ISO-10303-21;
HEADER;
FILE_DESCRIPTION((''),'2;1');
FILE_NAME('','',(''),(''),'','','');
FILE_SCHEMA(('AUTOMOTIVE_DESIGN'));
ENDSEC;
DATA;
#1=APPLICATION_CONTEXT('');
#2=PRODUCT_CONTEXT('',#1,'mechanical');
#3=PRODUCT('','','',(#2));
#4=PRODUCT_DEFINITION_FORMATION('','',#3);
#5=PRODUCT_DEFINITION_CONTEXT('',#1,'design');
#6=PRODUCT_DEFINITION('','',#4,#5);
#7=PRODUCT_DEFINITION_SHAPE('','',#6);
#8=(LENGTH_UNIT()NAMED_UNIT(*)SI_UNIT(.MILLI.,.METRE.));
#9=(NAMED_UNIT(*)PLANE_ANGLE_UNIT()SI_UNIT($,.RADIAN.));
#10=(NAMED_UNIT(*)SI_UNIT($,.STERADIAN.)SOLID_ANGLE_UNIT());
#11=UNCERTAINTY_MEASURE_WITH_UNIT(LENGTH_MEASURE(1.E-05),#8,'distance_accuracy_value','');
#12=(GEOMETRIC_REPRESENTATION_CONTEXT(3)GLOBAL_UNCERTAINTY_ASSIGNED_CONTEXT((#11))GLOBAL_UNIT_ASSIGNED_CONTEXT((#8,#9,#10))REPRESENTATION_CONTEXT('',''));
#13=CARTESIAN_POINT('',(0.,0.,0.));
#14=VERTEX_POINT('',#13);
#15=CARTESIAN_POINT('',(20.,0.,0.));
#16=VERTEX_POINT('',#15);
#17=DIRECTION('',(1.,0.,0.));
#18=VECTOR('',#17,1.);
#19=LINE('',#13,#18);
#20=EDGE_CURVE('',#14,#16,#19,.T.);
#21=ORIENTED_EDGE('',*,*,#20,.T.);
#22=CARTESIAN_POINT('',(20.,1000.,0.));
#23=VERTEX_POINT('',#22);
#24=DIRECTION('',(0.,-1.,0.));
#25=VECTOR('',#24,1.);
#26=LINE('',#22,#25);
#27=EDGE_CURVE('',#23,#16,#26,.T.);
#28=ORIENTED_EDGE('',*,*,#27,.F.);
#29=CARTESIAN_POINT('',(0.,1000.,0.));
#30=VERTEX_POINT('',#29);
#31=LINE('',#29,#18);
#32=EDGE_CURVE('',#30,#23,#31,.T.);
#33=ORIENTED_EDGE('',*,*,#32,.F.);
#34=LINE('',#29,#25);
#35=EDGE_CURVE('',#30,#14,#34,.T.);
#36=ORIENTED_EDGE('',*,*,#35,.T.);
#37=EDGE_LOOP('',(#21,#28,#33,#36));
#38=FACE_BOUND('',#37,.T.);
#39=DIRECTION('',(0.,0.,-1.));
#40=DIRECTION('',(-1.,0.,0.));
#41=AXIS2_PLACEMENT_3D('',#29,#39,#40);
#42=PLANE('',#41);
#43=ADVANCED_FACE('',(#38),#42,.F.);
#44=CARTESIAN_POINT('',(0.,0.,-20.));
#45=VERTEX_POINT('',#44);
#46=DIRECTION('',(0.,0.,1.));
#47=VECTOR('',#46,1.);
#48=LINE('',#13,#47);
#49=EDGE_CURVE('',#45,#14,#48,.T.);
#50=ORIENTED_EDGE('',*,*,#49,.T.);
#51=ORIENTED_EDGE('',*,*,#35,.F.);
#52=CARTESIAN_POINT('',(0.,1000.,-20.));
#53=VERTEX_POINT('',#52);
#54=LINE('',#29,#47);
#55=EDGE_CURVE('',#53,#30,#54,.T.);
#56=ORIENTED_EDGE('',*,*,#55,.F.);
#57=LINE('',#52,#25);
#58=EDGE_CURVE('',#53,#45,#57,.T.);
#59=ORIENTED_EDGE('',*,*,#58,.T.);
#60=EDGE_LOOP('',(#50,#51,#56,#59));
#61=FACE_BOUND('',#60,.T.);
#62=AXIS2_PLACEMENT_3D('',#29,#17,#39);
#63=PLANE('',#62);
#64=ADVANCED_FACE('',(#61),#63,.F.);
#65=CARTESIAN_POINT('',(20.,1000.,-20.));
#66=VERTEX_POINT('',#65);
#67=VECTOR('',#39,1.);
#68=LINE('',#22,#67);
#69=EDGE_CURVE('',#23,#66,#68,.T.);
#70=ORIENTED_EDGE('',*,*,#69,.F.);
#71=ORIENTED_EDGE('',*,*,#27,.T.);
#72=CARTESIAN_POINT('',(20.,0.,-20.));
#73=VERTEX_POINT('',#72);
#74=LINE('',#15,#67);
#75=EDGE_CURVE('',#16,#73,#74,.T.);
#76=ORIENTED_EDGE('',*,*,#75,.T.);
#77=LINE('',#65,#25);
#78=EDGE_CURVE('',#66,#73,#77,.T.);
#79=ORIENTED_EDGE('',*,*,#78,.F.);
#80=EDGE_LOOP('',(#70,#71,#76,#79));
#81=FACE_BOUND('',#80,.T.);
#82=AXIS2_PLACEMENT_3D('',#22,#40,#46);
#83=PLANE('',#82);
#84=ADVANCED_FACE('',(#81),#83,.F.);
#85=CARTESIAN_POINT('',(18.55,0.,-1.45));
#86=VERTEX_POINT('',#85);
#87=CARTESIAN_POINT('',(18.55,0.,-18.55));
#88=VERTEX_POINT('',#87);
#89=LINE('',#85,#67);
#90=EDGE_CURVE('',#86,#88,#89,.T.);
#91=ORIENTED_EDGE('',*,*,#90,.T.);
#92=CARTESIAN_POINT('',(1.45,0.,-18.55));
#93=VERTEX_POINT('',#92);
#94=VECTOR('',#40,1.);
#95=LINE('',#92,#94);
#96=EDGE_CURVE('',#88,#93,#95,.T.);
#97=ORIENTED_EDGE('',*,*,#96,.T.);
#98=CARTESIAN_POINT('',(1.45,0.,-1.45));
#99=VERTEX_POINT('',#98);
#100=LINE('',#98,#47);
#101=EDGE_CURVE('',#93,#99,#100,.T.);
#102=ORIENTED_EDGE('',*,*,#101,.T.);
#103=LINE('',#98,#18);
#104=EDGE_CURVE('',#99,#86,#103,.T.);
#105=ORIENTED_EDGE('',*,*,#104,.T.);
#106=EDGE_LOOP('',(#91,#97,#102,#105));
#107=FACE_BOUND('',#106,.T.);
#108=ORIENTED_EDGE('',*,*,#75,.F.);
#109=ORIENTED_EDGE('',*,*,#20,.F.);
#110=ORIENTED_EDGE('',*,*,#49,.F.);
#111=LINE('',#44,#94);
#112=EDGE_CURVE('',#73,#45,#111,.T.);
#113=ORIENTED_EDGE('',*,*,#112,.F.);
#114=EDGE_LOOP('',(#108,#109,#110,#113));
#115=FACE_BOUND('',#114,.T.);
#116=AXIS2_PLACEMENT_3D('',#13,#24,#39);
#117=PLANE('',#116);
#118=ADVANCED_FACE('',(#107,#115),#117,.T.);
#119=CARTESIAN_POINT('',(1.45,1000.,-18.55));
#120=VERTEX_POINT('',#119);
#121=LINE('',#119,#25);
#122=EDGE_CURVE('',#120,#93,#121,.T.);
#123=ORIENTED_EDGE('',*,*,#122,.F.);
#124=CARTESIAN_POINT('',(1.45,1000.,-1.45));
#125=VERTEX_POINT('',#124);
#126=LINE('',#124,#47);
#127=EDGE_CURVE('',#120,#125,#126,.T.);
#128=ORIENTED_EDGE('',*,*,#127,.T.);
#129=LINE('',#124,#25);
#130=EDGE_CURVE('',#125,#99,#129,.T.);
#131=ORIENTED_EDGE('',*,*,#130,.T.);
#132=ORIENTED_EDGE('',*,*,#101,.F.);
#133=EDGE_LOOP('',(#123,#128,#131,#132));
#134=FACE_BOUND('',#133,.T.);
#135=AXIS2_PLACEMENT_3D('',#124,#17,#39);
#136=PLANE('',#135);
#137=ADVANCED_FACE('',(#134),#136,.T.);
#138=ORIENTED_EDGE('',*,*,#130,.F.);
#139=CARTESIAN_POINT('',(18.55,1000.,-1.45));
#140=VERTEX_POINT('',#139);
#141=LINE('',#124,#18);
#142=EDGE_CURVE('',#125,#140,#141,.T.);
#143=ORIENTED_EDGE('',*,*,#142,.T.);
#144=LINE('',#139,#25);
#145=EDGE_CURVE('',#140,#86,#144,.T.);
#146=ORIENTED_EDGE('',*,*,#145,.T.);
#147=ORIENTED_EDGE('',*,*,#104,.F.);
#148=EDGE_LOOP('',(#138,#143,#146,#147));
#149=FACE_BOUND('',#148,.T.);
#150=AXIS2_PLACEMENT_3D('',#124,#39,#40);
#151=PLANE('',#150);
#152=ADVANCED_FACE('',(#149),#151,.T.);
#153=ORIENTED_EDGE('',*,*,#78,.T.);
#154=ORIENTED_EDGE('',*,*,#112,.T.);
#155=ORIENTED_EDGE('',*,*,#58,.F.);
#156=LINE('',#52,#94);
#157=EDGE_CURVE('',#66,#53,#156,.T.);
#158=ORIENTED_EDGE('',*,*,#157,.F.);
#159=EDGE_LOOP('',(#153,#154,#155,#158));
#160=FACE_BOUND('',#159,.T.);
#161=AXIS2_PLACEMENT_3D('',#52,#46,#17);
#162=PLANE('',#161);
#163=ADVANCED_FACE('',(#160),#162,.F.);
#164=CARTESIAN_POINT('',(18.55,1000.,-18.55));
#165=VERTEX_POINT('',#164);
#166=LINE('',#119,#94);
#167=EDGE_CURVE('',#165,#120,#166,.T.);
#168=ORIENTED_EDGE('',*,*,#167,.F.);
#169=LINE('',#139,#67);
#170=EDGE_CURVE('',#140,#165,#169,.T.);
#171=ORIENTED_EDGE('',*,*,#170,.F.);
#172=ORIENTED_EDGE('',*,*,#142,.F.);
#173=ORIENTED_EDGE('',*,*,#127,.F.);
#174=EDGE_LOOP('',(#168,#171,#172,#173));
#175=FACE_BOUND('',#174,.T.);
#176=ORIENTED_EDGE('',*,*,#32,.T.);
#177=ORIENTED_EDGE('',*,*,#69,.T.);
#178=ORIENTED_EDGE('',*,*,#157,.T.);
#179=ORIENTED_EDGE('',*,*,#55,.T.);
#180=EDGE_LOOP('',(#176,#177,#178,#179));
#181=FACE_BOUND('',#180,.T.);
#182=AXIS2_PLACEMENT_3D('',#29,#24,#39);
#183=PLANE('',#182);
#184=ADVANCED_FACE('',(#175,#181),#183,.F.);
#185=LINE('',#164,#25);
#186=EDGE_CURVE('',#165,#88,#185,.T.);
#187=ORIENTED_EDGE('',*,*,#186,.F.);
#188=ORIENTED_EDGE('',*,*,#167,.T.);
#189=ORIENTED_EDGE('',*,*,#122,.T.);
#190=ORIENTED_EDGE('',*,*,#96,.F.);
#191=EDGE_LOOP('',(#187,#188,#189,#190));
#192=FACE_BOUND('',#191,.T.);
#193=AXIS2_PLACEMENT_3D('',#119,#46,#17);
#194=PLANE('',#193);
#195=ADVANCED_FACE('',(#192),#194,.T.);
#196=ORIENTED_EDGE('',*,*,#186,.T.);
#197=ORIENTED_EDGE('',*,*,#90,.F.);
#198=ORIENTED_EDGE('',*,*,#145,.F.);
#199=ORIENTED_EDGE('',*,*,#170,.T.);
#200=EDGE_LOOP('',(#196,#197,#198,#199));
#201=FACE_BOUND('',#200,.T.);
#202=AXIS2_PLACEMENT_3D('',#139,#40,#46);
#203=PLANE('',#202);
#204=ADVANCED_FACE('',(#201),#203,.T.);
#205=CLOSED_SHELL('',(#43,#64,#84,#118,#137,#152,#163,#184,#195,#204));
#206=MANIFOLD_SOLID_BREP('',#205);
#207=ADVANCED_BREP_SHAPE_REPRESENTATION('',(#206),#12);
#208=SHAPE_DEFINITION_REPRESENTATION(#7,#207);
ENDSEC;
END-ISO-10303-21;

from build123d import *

# Parameters (mm, degrees)
SKETCH1_W           = 20
SKETCH1_H           = 20
SKETCH1_W_2         = 17.1
SKETCH1_H_2         = 17.1
BOSS_EXTRUDE1_DEPTH = 1000


with BuildPart() as part:
    # Sketch1 → Boss-Extrude1 (new body)
    with BuildSketch(Plane(origin=(0, 0, 0), x_dir=(1, 0, 0), z_dir=(0, 1, 0))):
        with Locations((10, 10)):
            Rectangle(SKETCH1_W, SKETCH1_H)
        with Locations((10, 10)):
            Rectangle(SKETCH1_W_2, SKETCH1_H_2, mode=Mode.SUBTRACT)
    extrude(amount=BOSS_EXTRUDE1_DEPTH)


solid = part.part
